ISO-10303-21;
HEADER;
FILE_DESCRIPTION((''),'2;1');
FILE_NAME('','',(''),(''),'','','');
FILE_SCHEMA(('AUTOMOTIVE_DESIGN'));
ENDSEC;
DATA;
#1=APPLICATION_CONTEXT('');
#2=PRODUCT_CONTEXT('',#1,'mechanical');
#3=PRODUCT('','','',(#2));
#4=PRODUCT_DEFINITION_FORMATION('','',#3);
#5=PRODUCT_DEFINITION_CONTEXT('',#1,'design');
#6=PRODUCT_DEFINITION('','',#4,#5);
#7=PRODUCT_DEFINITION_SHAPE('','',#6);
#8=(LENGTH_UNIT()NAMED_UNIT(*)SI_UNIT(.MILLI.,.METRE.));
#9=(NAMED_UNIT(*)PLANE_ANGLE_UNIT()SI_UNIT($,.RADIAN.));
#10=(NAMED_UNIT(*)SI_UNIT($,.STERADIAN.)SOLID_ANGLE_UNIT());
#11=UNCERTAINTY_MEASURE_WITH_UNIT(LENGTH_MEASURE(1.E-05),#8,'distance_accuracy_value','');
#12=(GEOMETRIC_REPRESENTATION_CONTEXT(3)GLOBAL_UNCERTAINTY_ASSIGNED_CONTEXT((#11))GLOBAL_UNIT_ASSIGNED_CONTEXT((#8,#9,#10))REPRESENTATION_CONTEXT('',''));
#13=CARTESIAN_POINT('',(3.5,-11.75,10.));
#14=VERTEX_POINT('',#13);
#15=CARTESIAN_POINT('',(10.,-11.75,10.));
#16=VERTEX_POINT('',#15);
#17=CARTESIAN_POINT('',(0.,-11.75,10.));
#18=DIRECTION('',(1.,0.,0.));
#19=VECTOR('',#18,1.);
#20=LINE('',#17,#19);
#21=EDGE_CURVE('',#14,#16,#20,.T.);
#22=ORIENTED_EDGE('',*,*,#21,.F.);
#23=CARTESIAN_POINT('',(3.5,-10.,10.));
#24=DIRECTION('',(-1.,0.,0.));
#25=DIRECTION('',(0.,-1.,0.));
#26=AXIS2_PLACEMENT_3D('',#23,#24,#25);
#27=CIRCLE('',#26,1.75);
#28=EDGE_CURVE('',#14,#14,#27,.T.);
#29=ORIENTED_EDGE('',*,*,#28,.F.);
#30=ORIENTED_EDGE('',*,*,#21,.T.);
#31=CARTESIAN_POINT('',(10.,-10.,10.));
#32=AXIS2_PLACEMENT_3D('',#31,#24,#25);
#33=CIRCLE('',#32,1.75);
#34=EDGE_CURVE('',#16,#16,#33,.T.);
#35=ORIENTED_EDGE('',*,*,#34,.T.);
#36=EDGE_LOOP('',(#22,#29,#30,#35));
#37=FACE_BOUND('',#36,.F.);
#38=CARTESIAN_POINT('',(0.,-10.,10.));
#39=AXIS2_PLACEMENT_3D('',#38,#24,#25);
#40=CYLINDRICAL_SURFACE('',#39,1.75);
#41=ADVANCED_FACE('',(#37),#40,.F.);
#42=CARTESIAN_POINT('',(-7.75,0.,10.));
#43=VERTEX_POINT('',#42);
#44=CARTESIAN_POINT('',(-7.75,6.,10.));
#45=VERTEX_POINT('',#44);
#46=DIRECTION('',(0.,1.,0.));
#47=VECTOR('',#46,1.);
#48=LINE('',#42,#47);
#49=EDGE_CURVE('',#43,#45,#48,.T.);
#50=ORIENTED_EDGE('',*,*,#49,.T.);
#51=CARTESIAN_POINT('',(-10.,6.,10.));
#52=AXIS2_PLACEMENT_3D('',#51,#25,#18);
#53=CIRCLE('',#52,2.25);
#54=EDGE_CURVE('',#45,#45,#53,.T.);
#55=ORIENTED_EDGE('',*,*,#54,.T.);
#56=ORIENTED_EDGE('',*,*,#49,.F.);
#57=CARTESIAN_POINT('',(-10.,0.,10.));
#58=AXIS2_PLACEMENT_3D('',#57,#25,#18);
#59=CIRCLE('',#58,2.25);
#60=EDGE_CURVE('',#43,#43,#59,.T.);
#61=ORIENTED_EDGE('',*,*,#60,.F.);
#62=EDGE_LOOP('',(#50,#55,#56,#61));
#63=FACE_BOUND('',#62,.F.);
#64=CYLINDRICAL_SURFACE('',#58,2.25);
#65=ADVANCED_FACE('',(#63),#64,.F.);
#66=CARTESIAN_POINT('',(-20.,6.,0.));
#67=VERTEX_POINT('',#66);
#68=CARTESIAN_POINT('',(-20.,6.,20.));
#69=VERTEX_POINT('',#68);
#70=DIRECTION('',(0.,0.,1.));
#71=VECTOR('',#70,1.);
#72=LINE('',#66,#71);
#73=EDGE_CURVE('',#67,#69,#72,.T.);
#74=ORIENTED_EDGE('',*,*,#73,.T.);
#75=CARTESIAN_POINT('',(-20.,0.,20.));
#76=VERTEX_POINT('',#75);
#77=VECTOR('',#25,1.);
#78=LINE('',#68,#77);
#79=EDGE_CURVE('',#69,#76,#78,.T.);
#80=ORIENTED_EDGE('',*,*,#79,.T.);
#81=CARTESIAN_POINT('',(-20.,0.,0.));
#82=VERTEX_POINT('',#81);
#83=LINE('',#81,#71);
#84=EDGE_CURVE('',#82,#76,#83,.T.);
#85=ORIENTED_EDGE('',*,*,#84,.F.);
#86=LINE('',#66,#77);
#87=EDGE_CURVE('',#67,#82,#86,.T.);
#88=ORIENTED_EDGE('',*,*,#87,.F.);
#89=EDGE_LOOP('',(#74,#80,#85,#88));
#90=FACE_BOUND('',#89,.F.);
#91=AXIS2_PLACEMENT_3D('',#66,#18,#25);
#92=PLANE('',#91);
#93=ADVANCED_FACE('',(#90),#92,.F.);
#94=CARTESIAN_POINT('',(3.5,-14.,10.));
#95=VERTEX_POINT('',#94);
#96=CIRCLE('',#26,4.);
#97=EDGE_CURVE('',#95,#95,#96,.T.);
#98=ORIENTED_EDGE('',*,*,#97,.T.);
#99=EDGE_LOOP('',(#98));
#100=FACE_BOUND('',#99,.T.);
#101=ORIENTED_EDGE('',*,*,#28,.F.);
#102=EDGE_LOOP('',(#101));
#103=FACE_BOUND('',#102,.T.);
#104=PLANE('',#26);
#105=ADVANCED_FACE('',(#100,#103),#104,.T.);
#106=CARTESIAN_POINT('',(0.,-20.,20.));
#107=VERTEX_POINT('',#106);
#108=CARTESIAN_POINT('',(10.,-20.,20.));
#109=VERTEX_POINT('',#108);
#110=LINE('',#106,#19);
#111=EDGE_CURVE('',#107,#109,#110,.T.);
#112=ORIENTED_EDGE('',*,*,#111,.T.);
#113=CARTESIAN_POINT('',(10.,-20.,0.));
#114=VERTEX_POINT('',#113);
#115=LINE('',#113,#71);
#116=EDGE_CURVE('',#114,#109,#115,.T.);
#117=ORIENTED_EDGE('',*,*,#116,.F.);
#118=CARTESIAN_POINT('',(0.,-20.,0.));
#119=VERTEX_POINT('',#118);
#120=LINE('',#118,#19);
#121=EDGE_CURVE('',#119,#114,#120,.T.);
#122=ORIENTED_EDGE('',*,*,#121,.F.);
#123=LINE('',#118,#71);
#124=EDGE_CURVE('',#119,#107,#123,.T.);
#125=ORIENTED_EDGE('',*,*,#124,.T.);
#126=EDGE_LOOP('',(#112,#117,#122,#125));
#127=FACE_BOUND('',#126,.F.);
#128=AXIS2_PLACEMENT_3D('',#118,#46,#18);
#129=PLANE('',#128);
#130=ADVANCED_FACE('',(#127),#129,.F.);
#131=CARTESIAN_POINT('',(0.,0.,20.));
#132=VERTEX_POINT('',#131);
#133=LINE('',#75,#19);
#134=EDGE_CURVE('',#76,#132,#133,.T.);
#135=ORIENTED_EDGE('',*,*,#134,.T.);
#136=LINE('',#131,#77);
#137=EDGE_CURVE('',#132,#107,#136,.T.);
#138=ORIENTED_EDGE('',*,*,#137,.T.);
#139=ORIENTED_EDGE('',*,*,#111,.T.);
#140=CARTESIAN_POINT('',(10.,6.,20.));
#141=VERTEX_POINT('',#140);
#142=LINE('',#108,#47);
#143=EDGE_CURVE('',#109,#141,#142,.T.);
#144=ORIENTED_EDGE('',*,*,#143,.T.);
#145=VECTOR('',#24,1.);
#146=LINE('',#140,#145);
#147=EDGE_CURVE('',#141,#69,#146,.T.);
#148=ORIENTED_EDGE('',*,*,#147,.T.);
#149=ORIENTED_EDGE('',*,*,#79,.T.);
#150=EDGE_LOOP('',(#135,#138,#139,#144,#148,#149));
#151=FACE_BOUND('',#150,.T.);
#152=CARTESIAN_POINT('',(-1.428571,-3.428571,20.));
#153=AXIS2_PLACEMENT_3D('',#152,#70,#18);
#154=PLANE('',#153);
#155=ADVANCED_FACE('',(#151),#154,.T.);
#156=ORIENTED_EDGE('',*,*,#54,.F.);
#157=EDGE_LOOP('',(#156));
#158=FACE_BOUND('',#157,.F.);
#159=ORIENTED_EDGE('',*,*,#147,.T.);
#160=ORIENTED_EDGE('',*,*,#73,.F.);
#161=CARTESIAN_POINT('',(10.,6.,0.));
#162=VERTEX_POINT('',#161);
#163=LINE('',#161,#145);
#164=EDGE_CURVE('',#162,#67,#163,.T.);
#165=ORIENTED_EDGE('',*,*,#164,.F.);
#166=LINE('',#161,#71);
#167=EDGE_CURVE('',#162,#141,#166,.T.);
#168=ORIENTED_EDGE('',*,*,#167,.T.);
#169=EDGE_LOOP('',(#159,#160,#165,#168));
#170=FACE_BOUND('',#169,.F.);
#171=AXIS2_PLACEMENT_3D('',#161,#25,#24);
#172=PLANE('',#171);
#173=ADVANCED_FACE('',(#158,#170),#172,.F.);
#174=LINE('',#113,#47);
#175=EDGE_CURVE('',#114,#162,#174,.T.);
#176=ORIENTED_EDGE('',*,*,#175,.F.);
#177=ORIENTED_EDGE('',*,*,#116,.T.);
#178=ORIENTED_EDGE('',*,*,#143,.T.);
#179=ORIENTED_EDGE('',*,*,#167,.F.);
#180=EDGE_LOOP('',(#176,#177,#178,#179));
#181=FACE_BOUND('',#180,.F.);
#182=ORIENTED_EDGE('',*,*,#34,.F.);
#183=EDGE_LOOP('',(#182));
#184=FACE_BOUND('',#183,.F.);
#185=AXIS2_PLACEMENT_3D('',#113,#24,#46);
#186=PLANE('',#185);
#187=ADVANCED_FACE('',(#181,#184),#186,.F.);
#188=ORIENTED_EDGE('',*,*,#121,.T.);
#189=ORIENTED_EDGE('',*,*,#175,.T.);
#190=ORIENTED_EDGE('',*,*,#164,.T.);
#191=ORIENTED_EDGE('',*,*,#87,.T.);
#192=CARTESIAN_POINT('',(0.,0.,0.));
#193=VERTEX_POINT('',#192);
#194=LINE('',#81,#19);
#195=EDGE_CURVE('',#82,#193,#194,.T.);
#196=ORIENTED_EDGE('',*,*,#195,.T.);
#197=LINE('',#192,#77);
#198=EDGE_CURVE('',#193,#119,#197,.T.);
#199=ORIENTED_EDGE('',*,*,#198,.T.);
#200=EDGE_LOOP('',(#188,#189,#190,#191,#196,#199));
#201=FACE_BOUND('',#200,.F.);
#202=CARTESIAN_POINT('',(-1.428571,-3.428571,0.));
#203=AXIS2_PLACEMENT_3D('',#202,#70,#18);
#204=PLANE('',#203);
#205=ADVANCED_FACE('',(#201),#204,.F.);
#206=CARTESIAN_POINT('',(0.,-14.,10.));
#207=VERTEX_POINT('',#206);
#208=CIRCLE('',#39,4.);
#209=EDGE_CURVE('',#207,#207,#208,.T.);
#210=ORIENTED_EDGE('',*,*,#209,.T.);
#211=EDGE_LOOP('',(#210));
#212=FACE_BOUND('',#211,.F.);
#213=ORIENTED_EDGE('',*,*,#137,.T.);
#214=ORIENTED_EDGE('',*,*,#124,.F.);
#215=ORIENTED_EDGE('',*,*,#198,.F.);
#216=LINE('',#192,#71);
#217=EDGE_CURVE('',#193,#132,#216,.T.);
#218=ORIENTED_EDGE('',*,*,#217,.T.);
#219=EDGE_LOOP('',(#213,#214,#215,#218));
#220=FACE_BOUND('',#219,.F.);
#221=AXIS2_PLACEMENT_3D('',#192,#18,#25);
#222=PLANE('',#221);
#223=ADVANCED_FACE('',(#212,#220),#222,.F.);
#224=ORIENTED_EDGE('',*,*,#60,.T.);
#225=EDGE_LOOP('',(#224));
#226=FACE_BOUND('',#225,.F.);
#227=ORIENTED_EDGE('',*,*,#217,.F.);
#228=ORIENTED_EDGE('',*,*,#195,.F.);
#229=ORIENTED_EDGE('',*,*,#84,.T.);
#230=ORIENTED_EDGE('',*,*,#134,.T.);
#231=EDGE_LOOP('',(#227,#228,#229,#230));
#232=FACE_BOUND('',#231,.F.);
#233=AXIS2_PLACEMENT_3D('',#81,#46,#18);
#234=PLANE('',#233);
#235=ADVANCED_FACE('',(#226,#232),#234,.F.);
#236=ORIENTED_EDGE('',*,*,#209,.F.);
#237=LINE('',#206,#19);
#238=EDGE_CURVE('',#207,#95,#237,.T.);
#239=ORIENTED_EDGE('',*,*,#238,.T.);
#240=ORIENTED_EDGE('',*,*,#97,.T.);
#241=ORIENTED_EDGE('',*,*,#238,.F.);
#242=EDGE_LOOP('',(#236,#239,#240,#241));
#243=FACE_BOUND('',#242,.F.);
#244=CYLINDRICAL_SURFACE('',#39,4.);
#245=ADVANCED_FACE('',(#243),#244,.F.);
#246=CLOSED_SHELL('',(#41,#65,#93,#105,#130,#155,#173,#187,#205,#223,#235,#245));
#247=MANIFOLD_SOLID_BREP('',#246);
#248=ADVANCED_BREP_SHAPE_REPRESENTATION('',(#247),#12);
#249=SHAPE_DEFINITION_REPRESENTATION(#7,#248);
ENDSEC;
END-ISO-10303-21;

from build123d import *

# Parameters (mm, degrees)
PAD_DEPTH       = 20
SKETCH001_R     = 2.25
POCKET_DEPTH    = 6.001
SKETCH002_R     = 1.75
POCKET001_DEPTH = 10.001
SKETCH003_R     = 4
POCKET002_DEPTH = 3.5


with BuildPart() as part:
    # Sketch → Pad (new body)
    with BuildSketch(Plane.XY):
        Polygon((0, 0), (0, -20), (10, -20), (10, 6), (-20, 6), (-20, 0), align=None)
    extrude(amount=PAD_DEPTH)

    # Sketch001 → Pocket (cut, through all)
    with BuildSketch(Plane.XZ):
        with Locations((-10, 10)):
            Circle(SKETCH001_R)
    extrude(amount=-POCKET_DEPTH, mode=Mode.SUBTRACT)

    # Sketch002 → Pocket001 (cut, through all)
    with BuildSketch(Plane(origin=(0, 0, 0), x_dir=(0, -1, 0), z_dir=(-1, 0, 0))):
        with Locations((10, 10)):
            Circle(SKETCH002_R)
    extrude(amount=-POCKET001_DEPTH, mode=Mode.SUBTRACT)

    # Sketch003 → Pocket002 (cut)
    with BuildSketch(Plane(origin=(0, 0, 0), x_dir=(0, -1, 0), z_dir=(-1, 0, 0))):
        with Locations((10, 10)):
            Circle(SKETCH003_R)
    extrude(amount=-POCKET002_DEPTH, mode=Mode.SUBTRACT)


solid = part.part
